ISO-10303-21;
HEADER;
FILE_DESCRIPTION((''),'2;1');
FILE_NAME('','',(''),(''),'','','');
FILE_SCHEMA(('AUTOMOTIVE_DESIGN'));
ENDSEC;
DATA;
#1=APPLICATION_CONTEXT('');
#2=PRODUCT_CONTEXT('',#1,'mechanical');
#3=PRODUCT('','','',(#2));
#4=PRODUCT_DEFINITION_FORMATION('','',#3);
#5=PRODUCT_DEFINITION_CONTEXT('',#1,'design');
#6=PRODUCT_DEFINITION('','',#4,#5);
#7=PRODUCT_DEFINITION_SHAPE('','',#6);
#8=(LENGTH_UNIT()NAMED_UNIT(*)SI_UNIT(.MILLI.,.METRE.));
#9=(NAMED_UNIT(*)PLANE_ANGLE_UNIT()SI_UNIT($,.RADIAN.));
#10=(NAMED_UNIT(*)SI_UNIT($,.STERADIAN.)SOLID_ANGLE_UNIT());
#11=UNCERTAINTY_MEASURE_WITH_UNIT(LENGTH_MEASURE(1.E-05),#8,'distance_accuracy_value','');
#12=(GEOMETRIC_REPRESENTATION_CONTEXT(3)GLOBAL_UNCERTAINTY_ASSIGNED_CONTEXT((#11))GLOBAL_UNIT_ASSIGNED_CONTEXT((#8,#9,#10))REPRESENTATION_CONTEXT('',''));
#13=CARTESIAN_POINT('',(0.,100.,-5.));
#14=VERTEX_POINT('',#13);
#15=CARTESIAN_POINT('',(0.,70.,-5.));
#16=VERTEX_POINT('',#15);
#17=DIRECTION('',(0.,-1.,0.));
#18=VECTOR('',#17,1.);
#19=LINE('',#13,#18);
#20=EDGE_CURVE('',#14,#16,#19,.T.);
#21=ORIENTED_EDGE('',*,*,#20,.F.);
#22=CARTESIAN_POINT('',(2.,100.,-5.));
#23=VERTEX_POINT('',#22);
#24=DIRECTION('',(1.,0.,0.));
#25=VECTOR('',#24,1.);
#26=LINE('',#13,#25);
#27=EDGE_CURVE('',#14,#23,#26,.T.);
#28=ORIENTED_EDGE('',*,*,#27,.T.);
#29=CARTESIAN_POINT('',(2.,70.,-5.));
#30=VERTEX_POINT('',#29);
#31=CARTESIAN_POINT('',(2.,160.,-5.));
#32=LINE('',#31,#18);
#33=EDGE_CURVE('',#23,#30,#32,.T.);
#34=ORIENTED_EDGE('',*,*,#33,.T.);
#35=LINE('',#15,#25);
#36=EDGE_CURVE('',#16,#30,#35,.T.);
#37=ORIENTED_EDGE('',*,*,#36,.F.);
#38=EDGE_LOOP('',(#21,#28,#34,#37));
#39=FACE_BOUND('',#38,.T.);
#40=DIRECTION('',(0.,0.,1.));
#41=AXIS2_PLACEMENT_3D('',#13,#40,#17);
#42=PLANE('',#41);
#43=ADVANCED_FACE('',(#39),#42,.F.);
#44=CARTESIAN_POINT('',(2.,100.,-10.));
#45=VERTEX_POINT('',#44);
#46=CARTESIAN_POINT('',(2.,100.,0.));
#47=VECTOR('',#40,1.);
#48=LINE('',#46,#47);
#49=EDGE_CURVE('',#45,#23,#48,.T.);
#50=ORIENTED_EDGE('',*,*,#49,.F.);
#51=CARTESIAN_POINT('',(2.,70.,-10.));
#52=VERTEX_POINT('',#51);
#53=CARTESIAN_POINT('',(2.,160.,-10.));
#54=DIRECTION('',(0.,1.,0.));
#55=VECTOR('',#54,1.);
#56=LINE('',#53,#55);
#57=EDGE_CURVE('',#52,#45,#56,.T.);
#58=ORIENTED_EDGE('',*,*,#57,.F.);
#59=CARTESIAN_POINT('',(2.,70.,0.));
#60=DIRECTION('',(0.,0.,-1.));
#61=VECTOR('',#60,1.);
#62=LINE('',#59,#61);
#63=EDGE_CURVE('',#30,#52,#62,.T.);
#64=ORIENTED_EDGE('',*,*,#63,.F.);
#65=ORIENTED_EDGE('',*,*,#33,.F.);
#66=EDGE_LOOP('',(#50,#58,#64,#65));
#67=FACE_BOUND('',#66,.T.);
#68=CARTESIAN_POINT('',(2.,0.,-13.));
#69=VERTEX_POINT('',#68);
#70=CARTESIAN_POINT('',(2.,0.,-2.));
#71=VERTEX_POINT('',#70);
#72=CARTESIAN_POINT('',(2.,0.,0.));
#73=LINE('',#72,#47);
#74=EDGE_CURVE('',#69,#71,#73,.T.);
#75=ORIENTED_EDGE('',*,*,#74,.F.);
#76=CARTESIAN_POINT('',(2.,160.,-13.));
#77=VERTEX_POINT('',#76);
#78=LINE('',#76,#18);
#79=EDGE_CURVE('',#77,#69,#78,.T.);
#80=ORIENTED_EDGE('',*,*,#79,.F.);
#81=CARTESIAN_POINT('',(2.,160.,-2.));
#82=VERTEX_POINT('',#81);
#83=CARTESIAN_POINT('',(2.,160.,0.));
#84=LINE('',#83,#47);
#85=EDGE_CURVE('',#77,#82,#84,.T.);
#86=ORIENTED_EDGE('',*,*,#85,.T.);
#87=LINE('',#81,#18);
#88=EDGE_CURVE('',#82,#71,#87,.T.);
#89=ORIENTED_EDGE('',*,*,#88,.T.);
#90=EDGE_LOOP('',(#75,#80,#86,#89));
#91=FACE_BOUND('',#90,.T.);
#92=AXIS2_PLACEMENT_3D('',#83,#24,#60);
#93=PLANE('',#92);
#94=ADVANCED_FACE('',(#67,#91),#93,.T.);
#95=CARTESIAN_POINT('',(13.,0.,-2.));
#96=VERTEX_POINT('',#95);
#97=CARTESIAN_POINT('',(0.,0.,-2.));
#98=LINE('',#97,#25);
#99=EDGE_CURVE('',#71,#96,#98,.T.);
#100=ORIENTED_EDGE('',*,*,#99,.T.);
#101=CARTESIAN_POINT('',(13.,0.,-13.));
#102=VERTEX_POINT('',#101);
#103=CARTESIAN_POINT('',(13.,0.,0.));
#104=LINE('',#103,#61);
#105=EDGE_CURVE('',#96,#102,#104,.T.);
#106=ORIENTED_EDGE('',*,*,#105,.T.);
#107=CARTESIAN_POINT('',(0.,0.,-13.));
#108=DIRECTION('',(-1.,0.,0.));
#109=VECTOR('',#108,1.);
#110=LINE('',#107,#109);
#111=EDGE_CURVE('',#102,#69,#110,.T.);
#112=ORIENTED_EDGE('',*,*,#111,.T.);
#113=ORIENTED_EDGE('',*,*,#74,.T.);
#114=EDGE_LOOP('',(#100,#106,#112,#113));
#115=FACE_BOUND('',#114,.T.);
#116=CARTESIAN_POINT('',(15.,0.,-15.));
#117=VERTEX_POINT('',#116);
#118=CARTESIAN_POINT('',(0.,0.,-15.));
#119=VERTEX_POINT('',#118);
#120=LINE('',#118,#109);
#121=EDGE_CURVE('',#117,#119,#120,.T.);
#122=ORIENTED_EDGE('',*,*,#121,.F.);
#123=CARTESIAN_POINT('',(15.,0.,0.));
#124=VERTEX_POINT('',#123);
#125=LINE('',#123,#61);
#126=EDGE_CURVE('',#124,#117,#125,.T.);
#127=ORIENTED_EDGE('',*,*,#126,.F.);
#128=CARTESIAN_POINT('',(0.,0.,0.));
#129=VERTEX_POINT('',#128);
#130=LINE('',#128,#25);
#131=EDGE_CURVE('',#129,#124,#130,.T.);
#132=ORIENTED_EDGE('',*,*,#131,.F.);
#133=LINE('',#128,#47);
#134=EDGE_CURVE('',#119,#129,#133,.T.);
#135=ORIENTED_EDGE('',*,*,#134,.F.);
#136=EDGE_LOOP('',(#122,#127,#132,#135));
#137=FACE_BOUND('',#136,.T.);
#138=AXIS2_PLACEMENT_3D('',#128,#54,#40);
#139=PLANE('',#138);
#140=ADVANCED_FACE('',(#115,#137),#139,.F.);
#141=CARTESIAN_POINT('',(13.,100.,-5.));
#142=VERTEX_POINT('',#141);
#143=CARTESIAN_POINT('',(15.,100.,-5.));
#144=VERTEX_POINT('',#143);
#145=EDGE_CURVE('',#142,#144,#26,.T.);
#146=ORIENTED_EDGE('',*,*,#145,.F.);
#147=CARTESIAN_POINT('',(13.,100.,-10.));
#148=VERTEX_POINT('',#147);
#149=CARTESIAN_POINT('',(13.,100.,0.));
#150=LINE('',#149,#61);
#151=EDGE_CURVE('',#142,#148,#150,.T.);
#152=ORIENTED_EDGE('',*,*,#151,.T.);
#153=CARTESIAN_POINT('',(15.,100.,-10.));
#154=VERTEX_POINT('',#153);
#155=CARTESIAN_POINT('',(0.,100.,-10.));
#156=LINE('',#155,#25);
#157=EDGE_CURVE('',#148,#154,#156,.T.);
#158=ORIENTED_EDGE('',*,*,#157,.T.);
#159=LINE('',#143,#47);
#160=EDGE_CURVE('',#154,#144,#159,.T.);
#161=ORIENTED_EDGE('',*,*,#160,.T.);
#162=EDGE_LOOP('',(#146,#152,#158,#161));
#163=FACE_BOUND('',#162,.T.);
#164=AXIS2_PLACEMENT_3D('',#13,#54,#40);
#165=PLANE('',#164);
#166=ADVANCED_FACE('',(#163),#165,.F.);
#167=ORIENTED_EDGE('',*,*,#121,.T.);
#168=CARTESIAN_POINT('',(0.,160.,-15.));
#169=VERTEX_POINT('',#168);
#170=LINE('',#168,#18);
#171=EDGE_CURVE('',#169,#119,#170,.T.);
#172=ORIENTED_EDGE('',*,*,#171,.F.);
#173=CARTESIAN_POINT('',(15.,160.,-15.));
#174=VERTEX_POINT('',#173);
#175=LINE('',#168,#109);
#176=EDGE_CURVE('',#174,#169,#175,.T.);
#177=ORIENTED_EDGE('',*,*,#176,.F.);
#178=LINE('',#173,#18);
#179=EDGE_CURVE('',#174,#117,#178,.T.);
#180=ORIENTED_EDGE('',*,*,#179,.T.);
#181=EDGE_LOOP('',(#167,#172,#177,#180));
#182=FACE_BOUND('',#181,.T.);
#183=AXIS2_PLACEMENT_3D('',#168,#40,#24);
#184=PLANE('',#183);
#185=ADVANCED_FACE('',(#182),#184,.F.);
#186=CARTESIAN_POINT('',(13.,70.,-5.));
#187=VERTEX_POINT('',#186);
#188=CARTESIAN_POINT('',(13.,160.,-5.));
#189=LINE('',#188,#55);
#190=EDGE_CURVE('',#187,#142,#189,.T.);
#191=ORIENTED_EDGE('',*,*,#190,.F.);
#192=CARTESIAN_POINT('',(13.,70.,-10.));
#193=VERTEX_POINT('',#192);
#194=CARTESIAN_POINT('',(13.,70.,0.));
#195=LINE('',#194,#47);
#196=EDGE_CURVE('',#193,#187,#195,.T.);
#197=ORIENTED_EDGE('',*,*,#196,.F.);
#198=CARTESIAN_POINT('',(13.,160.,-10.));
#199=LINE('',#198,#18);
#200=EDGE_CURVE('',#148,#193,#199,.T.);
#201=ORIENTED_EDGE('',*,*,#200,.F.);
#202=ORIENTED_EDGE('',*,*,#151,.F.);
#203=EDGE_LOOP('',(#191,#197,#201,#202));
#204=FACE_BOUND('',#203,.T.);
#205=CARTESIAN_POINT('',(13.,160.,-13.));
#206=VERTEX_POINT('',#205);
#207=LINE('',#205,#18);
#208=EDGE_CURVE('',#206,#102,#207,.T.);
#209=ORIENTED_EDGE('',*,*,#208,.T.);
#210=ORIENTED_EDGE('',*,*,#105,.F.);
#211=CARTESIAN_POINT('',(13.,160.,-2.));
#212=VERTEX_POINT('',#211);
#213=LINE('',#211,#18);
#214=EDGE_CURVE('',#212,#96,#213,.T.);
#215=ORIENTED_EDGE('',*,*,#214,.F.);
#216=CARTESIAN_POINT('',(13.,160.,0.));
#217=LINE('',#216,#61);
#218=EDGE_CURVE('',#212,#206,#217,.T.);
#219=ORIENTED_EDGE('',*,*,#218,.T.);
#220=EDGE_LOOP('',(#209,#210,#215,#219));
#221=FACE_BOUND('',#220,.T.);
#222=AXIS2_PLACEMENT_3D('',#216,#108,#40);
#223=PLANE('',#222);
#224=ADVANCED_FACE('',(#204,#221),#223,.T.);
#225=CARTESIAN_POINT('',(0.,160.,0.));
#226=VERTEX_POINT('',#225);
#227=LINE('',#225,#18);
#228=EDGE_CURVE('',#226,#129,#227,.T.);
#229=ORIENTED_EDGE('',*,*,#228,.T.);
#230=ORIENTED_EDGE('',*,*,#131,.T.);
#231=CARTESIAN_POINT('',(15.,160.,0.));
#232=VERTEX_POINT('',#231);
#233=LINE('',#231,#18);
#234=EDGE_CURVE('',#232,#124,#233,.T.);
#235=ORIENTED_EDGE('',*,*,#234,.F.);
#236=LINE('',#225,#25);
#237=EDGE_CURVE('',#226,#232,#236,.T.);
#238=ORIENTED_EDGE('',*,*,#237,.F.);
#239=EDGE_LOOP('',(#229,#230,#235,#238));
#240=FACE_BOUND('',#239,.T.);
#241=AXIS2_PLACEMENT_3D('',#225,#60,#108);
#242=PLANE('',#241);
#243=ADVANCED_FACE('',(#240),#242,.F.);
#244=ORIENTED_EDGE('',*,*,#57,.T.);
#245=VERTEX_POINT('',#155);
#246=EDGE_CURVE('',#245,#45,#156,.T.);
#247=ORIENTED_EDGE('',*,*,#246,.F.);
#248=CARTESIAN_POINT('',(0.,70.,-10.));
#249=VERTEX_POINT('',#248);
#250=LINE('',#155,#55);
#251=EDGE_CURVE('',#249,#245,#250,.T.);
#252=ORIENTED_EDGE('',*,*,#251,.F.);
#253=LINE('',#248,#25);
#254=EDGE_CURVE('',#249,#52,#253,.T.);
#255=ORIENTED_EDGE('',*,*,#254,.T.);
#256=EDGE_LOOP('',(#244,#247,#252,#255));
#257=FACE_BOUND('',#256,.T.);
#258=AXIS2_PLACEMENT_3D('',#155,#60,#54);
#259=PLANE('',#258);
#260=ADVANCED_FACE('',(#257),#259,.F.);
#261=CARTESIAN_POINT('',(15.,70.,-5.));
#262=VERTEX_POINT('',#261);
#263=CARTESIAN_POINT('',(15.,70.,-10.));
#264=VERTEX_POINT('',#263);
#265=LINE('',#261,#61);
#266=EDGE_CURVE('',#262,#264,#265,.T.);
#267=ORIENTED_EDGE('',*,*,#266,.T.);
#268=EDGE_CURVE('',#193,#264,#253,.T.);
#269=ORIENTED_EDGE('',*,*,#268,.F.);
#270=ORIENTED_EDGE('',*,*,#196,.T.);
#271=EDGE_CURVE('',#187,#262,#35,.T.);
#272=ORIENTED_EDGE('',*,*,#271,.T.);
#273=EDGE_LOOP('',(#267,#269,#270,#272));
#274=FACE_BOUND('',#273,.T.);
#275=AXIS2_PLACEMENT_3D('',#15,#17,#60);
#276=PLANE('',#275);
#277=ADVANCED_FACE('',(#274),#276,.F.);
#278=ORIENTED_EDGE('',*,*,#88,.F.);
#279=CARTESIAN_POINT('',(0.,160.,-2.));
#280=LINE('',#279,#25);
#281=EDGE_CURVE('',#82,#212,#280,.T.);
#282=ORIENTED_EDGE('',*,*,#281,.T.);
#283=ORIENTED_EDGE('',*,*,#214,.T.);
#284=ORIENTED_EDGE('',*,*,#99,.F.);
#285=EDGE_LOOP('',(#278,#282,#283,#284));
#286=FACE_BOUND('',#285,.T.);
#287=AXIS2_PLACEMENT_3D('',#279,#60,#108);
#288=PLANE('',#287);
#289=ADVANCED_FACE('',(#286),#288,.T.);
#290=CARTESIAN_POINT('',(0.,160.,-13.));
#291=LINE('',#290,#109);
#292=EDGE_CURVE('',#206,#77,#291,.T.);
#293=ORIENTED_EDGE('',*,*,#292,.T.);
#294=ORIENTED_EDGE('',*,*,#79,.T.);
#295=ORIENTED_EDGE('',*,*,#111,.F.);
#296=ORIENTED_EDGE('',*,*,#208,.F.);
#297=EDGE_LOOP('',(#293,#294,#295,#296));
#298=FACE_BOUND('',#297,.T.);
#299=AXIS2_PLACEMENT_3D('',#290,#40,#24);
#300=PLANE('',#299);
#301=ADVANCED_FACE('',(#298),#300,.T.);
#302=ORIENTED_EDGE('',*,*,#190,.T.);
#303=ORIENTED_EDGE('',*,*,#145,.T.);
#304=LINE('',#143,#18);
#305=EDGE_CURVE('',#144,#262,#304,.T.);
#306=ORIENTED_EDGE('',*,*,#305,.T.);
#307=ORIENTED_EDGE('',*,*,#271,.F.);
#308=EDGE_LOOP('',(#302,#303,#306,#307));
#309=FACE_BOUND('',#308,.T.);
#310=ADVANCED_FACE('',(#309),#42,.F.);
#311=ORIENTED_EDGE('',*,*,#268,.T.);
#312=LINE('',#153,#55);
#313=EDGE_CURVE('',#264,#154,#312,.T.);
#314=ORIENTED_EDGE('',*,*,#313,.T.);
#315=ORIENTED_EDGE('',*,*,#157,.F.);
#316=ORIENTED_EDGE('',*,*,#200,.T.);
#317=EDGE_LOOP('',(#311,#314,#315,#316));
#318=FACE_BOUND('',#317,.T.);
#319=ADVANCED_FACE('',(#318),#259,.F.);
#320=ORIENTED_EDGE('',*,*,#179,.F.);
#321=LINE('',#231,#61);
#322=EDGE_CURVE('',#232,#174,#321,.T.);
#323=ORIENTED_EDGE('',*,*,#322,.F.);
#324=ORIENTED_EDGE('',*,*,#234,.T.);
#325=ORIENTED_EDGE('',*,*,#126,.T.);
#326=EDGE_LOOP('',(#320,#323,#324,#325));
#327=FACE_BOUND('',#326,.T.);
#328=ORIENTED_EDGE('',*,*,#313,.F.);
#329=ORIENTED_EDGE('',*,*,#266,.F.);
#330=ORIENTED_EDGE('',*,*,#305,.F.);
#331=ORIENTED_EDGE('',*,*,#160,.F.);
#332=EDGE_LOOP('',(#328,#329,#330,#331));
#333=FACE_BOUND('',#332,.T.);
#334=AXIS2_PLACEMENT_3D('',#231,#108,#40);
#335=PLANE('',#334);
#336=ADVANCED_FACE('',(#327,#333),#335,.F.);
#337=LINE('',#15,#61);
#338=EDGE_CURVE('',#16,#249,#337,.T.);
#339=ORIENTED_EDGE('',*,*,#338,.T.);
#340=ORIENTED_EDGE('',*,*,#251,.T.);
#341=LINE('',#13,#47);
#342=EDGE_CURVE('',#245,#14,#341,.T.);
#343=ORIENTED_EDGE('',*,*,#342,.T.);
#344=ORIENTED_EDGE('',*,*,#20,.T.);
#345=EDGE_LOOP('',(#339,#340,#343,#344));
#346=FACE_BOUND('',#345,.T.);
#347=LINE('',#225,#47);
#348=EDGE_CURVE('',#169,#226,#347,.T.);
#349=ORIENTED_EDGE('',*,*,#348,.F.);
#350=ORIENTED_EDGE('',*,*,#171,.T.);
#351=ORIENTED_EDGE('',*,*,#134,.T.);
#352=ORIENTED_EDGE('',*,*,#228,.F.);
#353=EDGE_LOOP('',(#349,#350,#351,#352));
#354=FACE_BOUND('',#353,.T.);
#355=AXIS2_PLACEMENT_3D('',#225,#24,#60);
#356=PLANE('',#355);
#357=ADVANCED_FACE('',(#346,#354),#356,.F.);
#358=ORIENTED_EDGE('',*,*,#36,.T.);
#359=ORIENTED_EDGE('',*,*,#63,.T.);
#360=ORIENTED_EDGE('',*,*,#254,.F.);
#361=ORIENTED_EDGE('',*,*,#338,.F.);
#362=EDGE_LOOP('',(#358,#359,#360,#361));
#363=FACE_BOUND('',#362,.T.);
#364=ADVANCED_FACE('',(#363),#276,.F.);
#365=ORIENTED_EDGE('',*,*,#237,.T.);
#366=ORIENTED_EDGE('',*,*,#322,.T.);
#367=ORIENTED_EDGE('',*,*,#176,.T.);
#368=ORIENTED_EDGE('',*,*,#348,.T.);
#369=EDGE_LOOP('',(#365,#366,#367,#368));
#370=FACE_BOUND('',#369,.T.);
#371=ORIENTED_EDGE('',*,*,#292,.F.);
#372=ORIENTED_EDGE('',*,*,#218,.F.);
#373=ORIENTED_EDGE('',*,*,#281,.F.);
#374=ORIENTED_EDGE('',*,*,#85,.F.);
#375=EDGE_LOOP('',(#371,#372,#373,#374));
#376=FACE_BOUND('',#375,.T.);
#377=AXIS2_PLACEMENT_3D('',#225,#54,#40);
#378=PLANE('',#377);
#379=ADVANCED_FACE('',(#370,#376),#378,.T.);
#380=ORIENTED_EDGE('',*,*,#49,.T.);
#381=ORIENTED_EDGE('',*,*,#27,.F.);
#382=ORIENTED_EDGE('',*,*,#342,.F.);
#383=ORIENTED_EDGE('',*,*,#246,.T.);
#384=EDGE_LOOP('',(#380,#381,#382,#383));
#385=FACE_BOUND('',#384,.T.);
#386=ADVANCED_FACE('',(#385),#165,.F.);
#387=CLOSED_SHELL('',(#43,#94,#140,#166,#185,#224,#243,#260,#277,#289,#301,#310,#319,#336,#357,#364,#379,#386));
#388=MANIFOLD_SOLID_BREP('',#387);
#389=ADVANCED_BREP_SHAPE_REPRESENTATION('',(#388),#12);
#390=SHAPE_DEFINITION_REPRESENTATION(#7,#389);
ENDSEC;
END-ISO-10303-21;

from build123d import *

# Parameters (mm, degrees)
SKETCH2_W           = 15
SKETCH2_H           = 15
SKETCH2_W_2         = 11
SKETCH2_H_2         = 11
EXTRUDE_THIN1_DEPTH = 160
SKETCH3_W           = 5
SKETCH3_H           = 30
CUT_EXTRUDE1_DEPTH  = 16


with BuildPart() as part:
    # Sketch2 → Extrude-Thin1 (new body)
    with BuildSketch(Plane(origin=(0, 0, 0), x_dir=(1, 0, 0), z_dir=(0, 1, 0))):
        with Locations((7.5, 7.5)):
            Rectangle(SKETCH2_W, SKETCH2_H)
        with Locations((7.5, 7.5)):
            Rectangle(SKETCH2_W_2, SKETCH2_H_2, mode=Mode.SUBTRACT)
    extrude(amount=EXTRUDE_THIN1_DEPTH)

    # Sketch3 → Cut-Extrude1 (cut, through all)
    with BuildSketch(Plane(origin=(15, 0, 0), x_dir=(0, 0, -1), z_dir=(1, 0, 0))):
        with Locations((7.5, 85)):
            Rectangle(SKETCH3_W, SKETCH3_H)
    extrude(amount=-CUT_EXTRUDE1_DEPTH, mode=Mode.SUBTRACT)


solid = part.part
